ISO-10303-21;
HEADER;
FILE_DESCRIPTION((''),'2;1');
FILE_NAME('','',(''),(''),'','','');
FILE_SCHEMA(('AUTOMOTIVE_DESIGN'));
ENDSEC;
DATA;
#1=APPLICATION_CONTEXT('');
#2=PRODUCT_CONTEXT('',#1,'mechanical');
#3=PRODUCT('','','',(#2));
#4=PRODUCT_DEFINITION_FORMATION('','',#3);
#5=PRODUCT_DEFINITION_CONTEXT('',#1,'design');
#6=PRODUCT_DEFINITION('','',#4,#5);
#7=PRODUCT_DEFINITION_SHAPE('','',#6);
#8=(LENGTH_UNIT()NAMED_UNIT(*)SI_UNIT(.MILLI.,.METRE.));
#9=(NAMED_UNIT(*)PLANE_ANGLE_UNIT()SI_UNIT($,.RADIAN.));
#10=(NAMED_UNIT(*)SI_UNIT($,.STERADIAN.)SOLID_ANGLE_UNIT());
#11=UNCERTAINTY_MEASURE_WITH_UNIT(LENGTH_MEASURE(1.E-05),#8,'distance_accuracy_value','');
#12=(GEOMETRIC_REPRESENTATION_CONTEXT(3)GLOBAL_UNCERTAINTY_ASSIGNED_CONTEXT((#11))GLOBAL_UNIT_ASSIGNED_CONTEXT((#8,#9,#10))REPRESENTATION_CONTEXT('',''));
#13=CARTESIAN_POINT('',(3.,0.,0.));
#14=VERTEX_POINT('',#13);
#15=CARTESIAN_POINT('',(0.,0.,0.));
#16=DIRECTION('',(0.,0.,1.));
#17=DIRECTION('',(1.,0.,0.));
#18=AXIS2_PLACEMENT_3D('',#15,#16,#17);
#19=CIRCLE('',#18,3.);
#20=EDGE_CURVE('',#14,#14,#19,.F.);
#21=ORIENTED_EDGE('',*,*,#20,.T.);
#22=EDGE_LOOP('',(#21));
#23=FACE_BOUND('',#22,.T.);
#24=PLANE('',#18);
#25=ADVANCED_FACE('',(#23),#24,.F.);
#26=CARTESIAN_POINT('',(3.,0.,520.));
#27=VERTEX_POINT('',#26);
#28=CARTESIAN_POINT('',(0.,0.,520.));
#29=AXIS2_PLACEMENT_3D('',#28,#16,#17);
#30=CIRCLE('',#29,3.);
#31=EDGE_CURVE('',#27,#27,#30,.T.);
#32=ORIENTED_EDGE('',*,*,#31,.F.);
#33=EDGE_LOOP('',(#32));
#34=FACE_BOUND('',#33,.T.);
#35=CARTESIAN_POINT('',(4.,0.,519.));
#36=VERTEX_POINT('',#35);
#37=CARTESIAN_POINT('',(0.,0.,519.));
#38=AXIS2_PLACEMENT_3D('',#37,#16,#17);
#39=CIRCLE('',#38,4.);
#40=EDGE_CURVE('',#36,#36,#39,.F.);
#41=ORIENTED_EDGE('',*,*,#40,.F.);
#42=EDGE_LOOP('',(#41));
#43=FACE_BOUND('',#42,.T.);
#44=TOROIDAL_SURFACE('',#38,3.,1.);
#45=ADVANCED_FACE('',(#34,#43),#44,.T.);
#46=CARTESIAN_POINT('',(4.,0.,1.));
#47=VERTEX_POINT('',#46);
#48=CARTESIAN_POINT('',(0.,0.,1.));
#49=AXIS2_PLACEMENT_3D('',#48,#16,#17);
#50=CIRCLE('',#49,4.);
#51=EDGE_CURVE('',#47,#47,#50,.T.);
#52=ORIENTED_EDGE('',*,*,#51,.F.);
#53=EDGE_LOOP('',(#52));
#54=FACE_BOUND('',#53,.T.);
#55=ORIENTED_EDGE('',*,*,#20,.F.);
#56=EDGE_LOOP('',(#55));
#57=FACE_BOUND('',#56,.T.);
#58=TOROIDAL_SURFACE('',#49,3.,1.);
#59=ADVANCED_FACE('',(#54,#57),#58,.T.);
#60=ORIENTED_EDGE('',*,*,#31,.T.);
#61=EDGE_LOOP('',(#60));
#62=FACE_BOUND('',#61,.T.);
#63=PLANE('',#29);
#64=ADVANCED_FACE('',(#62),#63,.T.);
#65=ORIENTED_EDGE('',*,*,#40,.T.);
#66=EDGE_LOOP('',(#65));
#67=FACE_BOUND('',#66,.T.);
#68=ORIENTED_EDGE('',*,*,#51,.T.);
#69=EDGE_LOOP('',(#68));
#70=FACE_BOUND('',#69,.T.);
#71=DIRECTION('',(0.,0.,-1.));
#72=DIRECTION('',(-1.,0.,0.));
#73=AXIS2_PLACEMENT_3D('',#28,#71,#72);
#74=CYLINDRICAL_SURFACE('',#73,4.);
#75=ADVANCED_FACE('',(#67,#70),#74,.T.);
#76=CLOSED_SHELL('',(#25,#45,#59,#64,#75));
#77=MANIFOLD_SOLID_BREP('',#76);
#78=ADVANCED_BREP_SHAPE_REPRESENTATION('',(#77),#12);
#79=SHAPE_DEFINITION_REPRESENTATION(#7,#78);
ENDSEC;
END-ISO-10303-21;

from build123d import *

# Parameters (mm, degrees)
SKETCH_1_R      = 4
EXTRUDE_1_DEPTH = 520
FILLET_1_R      = 1
FILLET_2_R      = 1


with BuildPart() as part:
    # ｽｹｯﾁ1 → ﾎﾞｽ - 押し出し1 (new body)
    with BuildSketch(Plane.XY):
        Circle(SKETCH_1_R)
    extrude(amount=EXTRUDE_1_DEPTH)

    # ﾌｨﾚｯﾄ1
    fillet_1_edges = [part.edges().sort_by_distance(p)[0] for p in [
        (-4, 0, 520),
    ]]
    fillet(fillet_1_edges, radius=FILLET_1_R)

    # ﾌｨﾚｯﾄ2
    fillet_2_edges = [part.edges().sort_by_distance(p)[0] for p in [
        (-4, 0, 0),
    ]]
    fillet(fillet_2_edges, radius=FILLET_2_R)


solid = part.part
